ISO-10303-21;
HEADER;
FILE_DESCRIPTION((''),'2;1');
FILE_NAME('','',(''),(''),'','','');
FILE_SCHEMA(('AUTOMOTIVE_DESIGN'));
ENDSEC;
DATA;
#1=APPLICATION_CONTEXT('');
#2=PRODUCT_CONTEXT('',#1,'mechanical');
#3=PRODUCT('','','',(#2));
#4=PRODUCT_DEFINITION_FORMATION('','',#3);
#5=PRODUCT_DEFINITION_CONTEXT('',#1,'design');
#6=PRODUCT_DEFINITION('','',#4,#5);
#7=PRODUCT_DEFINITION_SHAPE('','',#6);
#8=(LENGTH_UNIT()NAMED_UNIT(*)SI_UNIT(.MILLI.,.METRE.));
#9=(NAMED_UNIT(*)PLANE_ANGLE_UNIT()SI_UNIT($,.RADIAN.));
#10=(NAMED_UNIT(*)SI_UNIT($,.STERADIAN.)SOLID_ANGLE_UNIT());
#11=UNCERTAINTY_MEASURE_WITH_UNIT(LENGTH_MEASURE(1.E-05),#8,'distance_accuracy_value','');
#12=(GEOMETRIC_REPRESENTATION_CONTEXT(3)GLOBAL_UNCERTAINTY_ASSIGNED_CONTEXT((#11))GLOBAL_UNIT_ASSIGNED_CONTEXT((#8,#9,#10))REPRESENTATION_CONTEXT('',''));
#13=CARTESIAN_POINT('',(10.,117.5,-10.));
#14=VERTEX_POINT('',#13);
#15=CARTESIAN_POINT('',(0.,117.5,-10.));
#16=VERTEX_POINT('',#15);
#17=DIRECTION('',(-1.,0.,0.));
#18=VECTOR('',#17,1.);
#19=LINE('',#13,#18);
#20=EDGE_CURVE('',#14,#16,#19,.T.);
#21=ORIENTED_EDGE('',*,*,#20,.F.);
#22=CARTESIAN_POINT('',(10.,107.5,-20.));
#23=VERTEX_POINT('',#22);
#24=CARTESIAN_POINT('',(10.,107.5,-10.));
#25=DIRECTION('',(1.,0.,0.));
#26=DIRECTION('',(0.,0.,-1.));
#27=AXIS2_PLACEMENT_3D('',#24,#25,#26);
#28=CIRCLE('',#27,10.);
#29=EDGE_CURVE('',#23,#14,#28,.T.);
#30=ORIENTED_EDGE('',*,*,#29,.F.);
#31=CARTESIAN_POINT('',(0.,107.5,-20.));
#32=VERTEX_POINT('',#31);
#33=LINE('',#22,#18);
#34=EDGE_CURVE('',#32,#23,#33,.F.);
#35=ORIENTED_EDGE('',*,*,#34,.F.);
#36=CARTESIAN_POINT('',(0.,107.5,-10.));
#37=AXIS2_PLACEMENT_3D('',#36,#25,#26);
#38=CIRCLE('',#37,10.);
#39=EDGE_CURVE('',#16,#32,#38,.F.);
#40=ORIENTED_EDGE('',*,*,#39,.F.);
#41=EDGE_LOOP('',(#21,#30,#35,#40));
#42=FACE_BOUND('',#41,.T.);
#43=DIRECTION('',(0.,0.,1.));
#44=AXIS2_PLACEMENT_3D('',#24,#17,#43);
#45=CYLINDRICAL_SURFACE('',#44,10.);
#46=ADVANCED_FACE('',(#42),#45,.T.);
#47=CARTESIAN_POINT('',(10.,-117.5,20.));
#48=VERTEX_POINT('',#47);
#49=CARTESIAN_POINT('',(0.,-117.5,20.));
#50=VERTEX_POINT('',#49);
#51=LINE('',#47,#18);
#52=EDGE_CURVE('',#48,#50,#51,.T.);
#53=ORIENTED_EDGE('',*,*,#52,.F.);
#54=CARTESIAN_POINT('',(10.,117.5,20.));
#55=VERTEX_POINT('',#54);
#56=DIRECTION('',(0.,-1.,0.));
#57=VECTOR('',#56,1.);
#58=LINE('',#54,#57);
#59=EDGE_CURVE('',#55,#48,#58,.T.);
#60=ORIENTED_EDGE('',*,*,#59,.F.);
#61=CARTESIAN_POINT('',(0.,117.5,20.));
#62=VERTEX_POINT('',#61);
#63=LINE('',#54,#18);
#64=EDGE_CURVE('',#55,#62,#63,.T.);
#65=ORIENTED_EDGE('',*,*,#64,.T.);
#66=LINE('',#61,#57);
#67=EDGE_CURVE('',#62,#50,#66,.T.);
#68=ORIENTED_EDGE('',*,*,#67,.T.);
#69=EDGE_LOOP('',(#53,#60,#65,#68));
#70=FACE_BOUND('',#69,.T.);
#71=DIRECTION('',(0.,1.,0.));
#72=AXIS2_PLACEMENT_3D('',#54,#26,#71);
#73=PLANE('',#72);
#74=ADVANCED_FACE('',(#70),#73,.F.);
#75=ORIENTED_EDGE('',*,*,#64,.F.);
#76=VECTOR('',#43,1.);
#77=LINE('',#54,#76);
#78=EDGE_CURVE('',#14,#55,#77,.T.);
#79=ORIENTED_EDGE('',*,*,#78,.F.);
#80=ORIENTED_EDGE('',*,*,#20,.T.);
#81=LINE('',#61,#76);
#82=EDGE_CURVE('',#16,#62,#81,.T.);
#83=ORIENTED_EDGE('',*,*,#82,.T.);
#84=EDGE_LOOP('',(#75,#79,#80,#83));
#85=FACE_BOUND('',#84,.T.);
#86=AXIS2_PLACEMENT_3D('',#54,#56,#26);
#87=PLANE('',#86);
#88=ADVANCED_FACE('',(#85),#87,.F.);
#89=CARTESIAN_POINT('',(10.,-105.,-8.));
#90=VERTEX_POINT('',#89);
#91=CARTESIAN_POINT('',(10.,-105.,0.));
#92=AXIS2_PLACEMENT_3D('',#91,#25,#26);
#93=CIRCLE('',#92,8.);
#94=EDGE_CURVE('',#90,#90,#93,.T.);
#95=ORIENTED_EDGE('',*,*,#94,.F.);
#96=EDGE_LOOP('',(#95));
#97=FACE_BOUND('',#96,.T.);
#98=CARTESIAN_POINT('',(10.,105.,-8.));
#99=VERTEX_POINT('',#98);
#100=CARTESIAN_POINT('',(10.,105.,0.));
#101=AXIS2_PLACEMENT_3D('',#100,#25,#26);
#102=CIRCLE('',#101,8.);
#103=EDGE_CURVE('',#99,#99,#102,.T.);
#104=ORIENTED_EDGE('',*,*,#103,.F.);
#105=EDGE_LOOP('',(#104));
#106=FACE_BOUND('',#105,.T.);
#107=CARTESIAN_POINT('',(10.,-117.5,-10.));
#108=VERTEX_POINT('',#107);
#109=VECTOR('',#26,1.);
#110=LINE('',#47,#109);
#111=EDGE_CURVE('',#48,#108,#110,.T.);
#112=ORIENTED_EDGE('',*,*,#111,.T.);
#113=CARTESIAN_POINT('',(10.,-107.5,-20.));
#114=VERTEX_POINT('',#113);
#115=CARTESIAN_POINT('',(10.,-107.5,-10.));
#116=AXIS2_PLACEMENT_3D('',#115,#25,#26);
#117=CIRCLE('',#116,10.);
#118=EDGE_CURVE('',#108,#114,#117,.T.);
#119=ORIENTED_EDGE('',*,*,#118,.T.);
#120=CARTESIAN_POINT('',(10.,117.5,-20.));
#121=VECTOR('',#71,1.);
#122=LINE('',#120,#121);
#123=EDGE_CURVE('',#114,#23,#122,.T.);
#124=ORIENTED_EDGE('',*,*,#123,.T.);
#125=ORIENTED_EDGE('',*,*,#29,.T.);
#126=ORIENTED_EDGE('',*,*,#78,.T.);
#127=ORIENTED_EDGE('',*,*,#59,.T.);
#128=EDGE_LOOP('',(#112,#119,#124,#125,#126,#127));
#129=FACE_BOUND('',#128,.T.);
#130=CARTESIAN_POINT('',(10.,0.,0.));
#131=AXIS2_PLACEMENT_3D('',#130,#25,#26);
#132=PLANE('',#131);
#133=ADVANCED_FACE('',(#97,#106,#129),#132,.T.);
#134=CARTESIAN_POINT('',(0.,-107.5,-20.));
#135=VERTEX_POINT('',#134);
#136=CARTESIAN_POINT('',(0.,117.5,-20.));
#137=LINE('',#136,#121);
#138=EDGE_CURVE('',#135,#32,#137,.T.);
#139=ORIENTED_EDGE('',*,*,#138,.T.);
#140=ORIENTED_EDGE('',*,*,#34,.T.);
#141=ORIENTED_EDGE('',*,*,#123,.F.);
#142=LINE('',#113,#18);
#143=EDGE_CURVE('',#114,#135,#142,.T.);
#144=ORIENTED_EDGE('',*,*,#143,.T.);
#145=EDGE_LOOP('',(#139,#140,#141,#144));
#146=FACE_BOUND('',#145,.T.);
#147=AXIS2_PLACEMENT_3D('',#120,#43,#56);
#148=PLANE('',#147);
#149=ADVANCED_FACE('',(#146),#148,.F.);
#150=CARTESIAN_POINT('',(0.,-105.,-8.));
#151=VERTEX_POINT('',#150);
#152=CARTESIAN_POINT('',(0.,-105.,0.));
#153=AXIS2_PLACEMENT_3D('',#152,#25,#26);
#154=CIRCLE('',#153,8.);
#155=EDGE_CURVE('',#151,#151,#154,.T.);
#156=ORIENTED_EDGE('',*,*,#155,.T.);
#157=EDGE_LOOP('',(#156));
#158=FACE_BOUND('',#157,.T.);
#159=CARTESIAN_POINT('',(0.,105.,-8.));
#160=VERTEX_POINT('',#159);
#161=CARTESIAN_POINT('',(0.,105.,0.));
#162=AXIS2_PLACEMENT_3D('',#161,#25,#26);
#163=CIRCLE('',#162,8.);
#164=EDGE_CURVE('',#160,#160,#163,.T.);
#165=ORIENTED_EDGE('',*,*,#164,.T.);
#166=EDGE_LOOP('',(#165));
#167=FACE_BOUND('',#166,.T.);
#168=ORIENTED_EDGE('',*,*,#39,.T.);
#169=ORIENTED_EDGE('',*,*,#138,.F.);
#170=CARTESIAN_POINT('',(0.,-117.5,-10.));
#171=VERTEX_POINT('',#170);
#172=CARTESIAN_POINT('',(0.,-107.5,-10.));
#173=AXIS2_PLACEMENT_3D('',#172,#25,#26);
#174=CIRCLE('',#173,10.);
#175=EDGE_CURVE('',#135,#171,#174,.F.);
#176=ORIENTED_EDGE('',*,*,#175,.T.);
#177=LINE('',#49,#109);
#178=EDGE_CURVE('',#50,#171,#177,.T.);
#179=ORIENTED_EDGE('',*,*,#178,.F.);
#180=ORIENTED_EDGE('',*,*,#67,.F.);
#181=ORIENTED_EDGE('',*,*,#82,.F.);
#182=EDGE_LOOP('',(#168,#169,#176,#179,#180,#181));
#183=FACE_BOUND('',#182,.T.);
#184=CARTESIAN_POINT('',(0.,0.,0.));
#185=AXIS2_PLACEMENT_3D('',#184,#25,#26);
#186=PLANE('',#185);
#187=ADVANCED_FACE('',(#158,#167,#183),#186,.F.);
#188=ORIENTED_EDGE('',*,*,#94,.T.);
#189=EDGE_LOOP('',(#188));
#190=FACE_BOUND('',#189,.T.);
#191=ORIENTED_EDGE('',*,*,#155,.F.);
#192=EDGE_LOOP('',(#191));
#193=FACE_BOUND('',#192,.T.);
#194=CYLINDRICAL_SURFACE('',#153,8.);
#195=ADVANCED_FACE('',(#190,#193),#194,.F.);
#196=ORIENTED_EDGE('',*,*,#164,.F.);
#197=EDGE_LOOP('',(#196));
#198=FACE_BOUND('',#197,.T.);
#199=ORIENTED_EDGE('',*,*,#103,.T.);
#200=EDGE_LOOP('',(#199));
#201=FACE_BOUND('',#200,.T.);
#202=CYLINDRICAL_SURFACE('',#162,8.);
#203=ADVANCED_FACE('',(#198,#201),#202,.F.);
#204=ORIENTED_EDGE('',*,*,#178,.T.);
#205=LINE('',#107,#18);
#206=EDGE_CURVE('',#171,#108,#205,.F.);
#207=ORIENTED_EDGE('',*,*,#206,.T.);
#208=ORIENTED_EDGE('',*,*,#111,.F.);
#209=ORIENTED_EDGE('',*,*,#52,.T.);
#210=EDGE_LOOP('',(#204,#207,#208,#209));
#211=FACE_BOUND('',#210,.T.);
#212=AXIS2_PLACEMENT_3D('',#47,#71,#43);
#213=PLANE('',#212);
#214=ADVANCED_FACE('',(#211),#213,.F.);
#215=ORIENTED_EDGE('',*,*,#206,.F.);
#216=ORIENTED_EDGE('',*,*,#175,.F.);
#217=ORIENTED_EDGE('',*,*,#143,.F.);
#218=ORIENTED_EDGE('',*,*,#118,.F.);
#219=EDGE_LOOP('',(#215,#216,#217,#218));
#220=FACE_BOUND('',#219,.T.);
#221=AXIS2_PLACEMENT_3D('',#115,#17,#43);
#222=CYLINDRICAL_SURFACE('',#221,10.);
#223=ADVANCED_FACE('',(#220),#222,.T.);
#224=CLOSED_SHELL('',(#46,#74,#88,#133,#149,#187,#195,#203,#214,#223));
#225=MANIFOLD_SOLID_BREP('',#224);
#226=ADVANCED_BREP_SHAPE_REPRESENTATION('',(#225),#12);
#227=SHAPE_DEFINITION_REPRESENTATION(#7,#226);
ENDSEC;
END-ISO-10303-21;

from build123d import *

# Parameters (mm, degrees)
SKIZZE1_W                       = 40
SKIZZE1_H                       = 235
AUFSATZ_LINEAR_AUSTRAGEN1_DEPTH = 10
SKIZZE2_R                       = 8
SCHNITT_LINEAR_AUSTRAGEN1_DEPTH = 120.608737139
VERRUNDUNG1_R                   = 10


with BuildPart() as part:
    # Skizze1 → Aufsatz-Linear austragen1 (new body)
    with BuildSketch(Plane(origin=(0, 0, 0), x_dir=(0, 0, -1), z_dir=(1, 0, 0))):
        Rectangle(SKIZZE1_W, SKIZZE1_H)
    extrude(amount=AUFSATZ_LINEAR_AUSTRAGEN1_DEPTH)

    # Skizze2 → Schnitt-Linear austragen1 (cut, through all)
    with BuildSketch(Plane(origin=(10, 0, 0), x_dir=(0, 0, -1), z_dir=(1, 0, 0))):
        with Locations((0, 105)):
            Circle(SKIZZE2_R)
        with Locations((0, -105)):
            Circle(SKIZZE2_R)
    extrude(amount=-SCHNITT_LINEAR_AUSTRAGEN1_DEPTH, mode=Mode.SUBTRACT)

    # Verrundung1
    verrundung1_edges = [part.edges().sort_by_distance(p)[0] for p in [
        (5, -117.5, -20),
        (5, 117.5, -20),
    ]]
    fillet(verrundung1_edges, radius=VERRUNDUNG1_R)


solid = part.part
